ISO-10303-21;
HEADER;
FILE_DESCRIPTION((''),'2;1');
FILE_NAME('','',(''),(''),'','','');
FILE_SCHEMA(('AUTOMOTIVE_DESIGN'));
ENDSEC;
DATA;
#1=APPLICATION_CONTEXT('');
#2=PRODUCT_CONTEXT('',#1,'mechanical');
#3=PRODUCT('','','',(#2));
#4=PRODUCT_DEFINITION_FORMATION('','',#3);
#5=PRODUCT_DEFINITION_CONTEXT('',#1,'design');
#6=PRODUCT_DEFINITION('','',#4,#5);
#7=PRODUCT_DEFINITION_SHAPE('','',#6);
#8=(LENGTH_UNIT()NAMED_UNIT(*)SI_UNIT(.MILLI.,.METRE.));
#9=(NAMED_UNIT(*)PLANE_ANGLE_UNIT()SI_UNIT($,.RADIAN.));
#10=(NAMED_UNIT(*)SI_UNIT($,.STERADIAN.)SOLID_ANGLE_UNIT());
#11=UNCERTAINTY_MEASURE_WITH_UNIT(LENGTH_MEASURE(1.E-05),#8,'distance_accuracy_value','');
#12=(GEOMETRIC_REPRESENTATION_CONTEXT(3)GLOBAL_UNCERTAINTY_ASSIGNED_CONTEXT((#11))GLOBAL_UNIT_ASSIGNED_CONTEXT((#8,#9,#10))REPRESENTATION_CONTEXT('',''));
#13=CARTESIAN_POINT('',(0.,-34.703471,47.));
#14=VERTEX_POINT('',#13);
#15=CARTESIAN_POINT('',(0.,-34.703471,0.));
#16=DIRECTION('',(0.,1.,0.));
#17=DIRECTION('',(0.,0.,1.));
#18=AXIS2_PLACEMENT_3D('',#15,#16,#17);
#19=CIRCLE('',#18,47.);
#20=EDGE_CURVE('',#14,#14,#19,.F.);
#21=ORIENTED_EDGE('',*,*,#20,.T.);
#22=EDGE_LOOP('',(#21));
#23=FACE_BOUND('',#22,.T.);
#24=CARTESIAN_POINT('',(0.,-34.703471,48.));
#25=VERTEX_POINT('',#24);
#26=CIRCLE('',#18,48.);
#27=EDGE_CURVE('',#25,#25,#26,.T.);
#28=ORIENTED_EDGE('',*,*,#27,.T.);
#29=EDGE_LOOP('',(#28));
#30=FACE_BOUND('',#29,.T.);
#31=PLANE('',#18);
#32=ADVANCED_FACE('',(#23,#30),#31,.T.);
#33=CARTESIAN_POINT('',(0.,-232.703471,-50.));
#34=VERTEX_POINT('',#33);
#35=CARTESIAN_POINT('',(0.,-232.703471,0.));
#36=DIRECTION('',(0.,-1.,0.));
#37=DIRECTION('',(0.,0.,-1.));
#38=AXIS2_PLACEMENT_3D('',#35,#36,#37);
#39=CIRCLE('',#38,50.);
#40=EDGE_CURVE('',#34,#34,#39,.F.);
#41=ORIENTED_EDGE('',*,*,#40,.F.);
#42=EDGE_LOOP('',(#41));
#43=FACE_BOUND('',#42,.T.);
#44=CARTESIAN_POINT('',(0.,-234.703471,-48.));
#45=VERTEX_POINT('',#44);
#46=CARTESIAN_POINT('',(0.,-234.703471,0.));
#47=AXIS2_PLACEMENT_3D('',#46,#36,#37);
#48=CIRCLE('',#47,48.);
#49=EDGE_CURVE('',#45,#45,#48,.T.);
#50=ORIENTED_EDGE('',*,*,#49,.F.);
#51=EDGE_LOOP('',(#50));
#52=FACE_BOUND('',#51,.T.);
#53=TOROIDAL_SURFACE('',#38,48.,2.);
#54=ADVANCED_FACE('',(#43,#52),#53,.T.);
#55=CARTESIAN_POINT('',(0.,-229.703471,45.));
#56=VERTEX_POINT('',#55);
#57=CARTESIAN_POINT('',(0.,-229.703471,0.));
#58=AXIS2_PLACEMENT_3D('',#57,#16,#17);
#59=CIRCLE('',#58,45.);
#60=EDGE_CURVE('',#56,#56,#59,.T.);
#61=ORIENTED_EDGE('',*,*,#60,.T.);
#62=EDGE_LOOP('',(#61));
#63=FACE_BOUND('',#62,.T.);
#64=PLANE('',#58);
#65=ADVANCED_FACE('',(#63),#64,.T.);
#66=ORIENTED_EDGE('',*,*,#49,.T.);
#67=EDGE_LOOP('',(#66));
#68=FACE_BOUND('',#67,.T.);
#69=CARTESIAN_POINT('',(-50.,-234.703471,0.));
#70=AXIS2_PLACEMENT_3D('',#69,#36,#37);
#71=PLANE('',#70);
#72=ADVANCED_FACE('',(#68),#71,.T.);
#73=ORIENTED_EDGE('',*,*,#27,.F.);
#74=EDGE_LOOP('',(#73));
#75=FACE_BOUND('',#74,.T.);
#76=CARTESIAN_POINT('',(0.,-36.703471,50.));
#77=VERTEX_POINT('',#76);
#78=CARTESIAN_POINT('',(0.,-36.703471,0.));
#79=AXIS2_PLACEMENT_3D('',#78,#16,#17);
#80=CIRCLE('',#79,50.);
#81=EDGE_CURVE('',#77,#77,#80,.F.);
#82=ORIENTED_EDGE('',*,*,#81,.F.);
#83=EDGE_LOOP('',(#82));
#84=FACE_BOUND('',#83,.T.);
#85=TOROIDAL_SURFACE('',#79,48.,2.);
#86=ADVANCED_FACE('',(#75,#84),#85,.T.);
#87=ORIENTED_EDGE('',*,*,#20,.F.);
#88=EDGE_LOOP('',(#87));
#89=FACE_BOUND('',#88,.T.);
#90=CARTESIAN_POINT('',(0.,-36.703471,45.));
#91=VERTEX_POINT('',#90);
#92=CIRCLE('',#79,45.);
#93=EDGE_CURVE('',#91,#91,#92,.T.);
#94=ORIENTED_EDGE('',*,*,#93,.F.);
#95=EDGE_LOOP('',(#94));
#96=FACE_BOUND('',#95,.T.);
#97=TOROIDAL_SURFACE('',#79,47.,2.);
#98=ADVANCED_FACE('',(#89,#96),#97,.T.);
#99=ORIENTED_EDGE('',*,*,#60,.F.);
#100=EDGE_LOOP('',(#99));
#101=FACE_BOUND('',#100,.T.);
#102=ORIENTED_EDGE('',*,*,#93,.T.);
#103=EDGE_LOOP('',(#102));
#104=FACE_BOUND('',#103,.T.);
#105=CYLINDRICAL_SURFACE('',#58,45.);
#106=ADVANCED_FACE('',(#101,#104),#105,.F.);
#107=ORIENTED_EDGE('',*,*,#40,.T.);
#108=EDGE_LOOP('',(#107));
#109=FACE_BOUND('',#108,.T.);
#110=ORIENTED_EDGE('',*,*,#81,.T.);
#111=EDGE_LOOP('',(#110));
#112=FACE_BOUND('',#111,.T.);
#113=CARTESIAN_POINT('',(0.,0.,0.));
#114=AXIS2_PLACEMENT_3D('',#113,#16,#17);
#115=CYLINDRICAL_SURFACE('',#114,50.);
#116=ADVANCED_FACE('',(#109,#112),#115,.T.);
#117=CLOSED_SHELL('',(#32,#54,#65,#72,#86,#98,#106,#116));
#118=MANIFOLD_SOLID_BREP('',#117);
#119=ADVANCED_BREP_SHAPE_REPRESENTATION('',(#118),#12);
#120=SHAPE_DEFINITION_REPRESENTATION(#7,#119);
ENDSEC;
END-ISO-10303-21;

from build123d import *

# Parameters (mm, degrees)
SKETCH1_W          = 50
SKETCH1_H          = 200
SKETCH2_R          = 45
CUT_EXTRUDE1_DEPTH = 195
FILLET2_R          = 2
FILLET3_R          = 2


with BuildPart() as part:
    # Sketch1 → Revolve1 (revolve)
    with BuildSketch(Plane.XY, mode=Mode.PRIVATE) as revolve1_sk:
        with Locations((-25, -134.703470817)):
            Rectangle(SKETCH1_W, SKETCH1_H)
    revolve(revolve1_sk.sketch.rotate(Axis((0, 0, 0), (0, -1, 0)), 270), axis=Axis((0, 0, 0), (0, -1, 0)))

    # Sketch2 → Cut-Extrude1 (cut)
    with BuildSketch(Plane(origin=(0, -34.703470817, 0), x_dir=(1, 0, 0), z_dir=(0, 1, 0))):
        with Locations(Location((0, 0, 0), (0, 0, 270))):
            Circle(SKETCH2_R)
    extrude(amount=-CUT_EXTRUDE1_DEPTH, mode=Mode.SUBTRACT)

    # Fillet2
    fillet2_edges = [part.edges().sort_by_distance(p)[0] for p in [
        (0, -34.703470817, -50),
        (0, -34.703470817, -45),
    ]]
    fillet(fillet2_edges, radius=FILLET2_R)

    # Fillet3
    fillet3_edges = [part.edges().sort_by_distance(p)[0] for p in [
        (0, -234.703470817, -50),
    ]]
    fillet(fillet3_edges, radius=FILLET3_R)


solid = part.part
